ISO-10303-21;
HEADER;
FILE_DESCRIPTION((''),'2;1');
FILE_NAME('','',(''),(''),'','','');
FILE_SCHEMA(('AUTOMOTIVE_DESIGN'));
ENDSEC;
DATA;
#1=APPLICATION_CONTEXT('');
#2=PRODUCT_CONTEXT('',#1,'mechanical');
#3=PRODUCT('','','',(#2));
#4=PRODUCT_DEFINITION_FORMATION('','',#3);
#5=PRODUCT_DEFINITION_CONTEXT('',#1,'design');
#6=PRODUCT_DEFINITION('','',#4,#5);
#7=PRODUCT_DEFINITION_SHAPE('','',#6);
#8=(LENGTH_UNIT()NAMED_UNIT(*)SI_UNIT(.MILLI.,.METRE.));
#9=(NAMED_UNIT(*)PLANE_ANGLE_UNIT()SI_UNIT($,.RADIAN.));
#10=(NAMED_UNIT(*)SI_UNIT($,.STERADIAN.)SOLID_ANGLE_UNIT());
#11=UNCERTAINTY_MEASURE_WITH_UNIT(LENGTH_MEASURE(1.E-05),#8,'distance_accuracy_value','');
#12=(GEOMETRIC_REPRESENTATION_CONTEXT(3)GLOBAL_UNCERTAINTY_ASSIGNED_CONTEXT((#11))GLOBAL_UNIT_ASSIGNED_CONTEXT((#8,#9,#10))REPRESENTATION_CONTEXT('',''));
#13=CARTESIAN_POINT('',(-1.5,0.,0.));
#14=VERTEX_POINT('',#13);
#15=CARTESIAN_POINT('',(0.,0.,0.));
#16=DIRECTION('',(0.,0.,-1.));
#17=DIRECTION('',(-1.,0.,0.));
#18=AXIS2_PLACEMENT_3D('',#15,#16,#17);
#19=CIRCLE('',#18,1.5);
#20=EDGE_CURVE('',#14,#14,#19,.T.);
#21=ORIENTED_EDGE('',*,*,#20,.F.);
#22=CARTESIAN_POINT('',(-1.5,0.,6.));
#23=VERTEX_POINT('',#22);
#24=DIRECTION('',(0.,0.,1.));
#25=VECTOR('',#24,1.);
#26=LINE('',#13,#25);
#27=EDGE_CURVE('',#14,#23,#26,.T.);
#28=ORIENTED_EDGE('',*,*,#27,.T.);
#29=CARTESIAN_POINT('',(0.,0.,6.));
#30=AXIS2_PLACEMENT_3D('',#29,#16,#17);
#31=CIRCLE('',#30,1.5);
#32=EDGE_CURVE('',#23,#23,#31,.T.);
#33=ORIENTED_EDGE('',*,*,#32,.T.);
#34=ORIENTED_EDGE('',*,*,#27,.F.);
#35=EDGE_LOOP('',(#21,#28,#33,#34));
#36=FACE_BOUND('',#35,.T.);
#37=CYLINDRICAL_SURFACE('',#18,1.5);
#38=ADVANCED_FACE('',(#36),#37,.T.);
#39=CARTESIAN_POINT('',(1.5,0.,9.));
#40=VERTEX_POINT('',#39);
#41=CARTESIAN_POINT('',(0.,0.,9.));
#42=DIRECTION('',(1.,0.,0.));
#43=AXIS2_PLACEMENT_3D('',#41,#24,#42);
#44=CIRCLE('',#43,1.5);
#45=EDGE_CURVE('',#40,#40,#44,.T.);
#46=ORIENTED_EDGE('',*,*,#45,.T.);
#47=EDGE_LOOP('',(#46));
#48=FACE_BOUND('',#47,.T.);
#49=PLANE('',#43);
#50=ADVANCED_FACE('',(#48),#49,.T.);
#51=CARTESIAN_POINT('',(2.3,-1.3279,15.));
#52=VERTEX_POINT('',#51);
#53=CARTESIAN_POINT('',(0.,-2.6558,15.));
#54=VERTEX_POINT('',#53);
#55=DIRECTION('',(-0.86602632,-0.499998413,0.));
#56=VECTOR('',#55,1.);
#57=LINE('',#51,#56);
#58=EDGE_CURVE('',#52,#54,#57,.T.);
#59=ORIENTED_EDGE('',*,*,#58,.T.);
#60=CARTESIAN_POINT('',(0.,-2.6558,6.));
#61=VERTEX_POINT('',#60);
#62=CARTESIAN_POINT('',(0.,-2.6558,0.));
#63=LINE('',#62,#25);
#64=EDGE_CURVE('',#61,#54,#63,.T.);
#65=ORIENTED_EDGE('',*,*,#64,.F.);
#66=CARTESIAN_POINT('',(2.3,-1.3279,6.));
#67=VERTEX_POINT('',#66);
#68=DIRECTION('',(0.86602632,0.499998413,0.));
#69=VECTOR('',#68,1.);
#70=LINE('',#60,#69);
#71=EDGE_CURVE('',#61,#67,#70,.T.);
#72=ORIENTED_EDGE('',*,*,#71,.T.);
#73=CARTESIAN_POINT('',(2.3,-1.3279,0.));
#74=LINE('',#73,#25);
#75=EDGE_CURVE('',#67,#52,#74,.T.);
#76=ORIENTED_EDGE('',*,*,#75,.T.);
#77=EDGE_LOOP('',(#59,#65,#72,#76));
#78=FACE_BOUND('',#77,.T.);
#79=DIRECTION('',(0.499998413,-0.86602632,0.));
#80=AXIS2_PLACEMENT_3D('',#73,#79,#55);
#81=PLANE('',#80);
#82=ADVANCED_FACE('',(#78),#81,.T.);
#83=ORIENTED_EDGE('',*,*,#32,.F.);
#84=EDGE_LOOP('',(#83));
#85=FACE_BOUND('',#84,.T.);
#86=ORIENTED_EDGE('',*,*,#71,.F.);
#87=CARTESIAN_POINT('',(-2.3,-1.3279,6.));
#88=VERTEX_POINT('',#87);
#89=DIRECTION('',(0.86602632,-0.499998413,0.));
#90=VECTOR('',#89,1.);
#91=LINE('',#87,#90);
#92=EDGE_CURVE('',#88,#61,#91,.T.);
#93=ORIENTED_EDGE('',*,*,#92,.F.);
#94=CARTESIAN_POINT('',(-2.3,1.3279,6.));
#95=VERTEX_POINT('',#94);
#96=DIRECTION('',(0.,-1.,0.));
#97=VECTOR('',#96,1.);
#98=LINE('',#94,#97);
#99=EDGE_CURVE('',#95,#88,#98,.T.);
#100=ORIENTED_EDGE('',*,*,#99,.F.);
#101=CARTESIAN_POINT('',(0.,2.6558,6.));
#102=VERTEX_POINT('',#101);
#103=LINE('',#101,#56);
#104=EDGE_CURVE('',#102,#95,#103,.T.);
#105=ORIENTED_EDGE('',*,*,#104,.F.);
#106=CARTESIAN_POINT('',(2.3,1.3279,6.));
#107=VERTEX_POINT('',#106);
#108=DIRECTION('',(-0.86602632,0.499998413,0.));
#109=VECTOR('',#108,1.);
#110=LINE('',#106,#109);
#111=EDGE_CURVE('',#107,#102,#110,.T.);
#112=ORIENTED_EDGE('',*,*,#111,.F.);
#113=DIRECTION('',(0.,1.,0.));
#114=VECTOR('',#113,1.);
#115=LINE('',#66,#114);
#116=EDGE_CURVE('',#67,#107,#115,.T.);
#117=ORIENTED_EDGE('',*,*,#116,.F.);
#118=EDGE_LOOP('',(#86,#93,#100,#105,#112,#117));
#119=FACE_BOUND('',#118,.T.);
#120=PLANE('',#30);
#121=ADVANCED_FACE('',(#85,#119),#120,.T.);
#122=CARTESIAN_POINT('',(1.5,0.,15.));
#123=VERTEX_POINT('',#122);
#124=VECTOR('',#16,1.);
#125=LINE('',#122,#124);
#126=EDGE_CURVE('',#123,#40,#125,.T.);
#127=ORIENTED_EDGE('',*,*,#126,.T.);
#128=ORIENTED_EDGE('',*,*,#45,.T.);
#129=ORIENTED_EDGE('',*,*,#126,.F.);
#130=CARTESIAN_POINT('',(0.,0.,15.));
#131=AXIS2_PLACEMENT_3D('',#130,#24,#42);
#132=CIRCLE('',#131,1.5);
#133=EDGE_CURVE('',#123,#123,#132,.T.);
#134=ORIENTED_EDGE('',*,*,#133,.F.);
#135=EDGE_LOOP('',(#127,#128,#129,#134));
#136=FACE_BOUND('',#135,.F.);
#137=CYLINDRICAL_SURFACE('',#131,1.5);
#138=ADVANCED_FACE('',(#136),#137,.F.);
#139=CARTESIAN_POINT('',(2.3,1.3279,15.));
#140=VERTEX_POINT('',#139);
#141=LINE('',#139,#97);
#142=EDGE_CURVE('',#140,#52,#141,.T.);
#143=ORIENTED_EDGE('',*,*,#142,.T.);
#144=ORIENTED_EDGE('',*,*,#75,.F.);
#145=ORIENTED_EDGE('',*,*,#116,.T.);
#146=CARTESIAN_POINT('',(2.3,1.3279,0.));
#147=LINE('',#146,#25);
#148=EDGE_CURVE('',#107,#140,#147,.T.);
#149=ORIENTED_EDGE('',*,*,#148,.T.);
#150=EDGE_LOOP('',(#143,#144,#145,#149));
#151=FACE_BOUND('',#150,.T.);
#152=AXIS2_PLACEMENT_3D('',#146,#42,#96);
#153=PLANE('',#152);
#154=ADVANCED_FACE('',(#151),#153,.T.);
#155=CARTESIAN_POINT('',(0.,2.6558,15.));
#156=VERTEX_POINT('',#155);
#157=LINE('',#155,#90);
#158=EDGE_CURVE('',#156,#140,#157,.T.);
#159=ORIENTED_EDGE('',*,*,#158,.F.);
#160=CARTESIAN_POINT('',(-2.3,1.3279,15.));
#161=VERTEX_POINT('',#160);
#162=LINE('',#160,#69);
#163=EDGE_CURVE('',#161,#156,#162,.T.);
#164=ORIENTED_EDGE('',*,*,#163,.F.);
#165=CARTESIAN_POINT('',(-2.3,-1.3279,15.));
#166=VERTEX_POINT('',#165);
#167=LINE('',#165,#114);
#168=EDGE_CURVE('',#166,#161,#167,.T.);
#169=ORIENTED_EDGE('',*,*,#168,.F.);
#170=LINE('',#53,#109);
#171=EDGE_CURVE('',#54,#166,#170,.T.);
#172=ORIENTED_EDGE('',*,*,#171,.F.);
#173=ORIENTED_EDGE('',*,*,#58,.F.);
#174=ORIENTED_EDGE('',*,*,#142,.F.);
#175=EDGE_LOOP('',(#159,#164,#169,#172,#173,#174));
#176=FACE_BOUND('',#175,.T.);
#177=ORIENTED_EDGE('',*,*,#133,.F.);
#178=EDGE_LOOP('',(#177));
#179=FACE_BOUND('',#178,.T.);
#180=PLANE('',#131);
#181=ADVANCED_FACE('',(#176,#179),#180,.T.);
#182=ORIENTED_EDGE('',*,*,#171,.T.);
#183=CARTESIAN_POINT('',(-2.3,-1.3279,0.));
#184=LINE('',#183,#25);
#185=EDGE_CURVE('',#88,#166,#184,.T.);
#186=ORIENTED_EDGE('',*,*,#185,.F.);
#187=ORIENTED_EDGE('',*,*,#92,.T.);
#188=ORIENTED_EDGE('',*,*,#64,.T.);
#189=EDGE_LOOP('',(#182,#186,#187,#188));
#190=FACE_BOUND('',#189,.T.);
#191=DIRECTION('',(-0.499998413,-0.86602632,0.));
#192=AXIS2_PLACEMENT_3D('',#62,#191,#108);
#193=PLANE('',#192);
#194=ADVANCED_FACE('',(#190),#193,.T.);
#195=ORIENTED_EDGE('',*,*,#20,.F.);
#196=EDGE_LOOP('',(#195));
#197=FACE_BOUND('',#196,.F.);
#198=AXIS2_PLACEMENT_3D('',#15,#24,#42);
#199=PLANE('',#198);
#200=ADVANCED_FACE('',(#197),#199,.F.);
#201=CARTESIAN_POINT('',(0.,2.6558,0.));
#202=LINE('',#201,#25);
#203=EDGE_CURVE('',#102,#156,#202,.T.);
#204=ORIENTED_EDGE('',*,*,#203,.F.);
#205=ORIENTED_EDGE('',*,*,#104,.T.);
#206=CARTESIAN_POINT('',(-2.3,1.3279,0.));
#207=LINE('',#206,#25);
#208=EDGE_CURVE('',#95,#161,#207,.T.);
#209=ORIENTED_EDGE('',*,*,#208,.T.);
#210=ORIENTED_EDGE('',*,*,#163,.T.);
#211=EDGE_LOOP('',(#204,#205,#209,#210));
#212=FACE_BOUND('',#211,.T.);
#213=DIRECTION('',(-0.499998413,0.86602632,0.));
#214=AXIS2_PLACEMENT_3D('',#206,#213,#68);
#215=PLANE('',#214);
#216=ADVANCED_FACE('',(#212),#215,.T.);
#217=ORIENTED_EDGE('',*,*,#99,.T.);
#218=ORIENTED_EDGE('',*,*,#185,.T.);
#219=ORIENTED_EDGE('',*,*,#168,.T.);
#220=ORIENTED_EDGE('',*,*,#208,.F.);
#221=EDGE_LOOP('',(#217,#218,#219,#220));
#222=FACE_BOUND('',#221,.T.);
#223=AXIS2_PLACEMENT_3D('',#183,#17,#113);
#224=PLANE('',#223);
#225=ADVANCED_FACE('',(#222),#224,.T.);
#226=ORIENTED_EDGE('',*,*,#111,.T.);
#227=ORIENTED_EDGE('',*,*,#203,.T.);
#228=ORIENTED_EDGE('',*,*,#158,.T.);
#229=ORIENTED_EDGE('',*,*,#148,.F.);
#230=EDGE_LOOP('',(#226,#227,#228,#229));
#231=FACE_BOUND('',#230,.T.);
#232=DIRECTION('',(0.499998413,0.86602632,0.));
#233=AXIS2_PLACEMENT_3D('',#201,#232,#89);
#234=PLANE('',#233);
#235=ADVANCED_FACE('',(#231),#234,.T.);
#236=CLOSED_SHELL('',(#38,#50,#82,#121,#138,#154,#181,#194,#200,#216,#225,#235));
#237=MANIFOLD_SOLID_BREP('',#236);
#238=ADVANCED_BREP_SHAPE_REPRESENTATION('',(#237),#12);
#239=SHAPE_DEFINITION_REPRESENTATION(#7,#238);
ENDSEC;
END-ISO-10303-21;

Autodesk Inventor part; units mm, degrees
ref_plane "YZ Plane" through (0, 0, 0) normal (1, 0, 0) x (0, 1, 0)
ref_plane "XZ Plane" through (0, 0, 0) normal (0, 1, 0) x (-1, 0, 0)
ref_plane "XY Plane" through (0, 0, 0) normal (0, 0, 1) x (1, 0, 0)
sketch "Sketch6" plane through (0, 0, 0) normal (0, 0, 1) x (1, 0, 0)
  line L0 (0, 2.6558) -> (2.3, 1.3279)
  line L1 (2.3, 1.3279) -> (2.3, -1.3279)
  line L2 (2.3, -1.3279) -> (0, -2.6558)
  line L3 (0, -2.6558) -> (-2.3, -1.3279)
  line L4 (-2.3, -1.3279) -> (-2.3, 1.3279)
  line L5 (-2.3, 1.3279) -> (0, 2.6558)
  point P0 (0, 0)
  point P1 (0, 0)
  dimension "d15" = 4.6
extrude "Extrusion3" add sketch "Sketch6" along normal blind 15
sketch "Sketch7" plane through (0, 0, 0) normal (0, 0, -1) x (-1, 0, 0)
  circle A0 centre (0, 0) radius 1.5
  line L0 (0, 2.6558) -> (2.3, 1.3279) projected
  line L1 (0, 2.6558) -> (2.3, 1.3279)
  line L2 (2.3, 1.3279) -> (2.3, -1.3279)
  line L3 (2.3, -1.3279) -> (0, -2.6558)
  line L4 (0, -2.6558) -> (-2.3, -1.3279)
  line L5 (-2.3, -1.3279) -> (-2.3, 1.3279)
  line L6 (-2.3, 1.3279) -> (0, 2.6558)
  dimension "d18" = 3
extrude "Extrusion4" cut sketch "Sketch7" against normal blind 6
thread "Thread2" size "M3x0.5" class "6g" standard "ISO Metric profile" full length
sketch "Sketch8" plane through (0, 0, 15) normal (0, 0, 1) x (1, 0, 0)
  circle A0 centre (0, 0) radius 1.5
  dimension "d23" = 3
extrude "Extrusion5" cut sketch "Sketch8" against normal blind 6
thread "Thread3" size "M3x0.5" class "6H" standard "ANSI Metric M Profile" full length
equation "\"BendRadius\" = Thickness"
equation "\"BendReliefWidth\" = Thickness"
equation "\"BendReliefDepth\" = 0.5 * Thickness"
equation "\"CornerReliefSize\" = 4 * Thickness"
equation "\"MinimumRemnant\" = 2 * Thickness"
equation "\"TransitionRadius\" = BendRadius"
equation "\"JacobiRadiusSize\" = Thickness"
equation "\"GapSize\" = Thickness"
equation "\"Thickness\" = 0.5"
properties part number "PCB SEPARADOR" material "Stainless Steel"
